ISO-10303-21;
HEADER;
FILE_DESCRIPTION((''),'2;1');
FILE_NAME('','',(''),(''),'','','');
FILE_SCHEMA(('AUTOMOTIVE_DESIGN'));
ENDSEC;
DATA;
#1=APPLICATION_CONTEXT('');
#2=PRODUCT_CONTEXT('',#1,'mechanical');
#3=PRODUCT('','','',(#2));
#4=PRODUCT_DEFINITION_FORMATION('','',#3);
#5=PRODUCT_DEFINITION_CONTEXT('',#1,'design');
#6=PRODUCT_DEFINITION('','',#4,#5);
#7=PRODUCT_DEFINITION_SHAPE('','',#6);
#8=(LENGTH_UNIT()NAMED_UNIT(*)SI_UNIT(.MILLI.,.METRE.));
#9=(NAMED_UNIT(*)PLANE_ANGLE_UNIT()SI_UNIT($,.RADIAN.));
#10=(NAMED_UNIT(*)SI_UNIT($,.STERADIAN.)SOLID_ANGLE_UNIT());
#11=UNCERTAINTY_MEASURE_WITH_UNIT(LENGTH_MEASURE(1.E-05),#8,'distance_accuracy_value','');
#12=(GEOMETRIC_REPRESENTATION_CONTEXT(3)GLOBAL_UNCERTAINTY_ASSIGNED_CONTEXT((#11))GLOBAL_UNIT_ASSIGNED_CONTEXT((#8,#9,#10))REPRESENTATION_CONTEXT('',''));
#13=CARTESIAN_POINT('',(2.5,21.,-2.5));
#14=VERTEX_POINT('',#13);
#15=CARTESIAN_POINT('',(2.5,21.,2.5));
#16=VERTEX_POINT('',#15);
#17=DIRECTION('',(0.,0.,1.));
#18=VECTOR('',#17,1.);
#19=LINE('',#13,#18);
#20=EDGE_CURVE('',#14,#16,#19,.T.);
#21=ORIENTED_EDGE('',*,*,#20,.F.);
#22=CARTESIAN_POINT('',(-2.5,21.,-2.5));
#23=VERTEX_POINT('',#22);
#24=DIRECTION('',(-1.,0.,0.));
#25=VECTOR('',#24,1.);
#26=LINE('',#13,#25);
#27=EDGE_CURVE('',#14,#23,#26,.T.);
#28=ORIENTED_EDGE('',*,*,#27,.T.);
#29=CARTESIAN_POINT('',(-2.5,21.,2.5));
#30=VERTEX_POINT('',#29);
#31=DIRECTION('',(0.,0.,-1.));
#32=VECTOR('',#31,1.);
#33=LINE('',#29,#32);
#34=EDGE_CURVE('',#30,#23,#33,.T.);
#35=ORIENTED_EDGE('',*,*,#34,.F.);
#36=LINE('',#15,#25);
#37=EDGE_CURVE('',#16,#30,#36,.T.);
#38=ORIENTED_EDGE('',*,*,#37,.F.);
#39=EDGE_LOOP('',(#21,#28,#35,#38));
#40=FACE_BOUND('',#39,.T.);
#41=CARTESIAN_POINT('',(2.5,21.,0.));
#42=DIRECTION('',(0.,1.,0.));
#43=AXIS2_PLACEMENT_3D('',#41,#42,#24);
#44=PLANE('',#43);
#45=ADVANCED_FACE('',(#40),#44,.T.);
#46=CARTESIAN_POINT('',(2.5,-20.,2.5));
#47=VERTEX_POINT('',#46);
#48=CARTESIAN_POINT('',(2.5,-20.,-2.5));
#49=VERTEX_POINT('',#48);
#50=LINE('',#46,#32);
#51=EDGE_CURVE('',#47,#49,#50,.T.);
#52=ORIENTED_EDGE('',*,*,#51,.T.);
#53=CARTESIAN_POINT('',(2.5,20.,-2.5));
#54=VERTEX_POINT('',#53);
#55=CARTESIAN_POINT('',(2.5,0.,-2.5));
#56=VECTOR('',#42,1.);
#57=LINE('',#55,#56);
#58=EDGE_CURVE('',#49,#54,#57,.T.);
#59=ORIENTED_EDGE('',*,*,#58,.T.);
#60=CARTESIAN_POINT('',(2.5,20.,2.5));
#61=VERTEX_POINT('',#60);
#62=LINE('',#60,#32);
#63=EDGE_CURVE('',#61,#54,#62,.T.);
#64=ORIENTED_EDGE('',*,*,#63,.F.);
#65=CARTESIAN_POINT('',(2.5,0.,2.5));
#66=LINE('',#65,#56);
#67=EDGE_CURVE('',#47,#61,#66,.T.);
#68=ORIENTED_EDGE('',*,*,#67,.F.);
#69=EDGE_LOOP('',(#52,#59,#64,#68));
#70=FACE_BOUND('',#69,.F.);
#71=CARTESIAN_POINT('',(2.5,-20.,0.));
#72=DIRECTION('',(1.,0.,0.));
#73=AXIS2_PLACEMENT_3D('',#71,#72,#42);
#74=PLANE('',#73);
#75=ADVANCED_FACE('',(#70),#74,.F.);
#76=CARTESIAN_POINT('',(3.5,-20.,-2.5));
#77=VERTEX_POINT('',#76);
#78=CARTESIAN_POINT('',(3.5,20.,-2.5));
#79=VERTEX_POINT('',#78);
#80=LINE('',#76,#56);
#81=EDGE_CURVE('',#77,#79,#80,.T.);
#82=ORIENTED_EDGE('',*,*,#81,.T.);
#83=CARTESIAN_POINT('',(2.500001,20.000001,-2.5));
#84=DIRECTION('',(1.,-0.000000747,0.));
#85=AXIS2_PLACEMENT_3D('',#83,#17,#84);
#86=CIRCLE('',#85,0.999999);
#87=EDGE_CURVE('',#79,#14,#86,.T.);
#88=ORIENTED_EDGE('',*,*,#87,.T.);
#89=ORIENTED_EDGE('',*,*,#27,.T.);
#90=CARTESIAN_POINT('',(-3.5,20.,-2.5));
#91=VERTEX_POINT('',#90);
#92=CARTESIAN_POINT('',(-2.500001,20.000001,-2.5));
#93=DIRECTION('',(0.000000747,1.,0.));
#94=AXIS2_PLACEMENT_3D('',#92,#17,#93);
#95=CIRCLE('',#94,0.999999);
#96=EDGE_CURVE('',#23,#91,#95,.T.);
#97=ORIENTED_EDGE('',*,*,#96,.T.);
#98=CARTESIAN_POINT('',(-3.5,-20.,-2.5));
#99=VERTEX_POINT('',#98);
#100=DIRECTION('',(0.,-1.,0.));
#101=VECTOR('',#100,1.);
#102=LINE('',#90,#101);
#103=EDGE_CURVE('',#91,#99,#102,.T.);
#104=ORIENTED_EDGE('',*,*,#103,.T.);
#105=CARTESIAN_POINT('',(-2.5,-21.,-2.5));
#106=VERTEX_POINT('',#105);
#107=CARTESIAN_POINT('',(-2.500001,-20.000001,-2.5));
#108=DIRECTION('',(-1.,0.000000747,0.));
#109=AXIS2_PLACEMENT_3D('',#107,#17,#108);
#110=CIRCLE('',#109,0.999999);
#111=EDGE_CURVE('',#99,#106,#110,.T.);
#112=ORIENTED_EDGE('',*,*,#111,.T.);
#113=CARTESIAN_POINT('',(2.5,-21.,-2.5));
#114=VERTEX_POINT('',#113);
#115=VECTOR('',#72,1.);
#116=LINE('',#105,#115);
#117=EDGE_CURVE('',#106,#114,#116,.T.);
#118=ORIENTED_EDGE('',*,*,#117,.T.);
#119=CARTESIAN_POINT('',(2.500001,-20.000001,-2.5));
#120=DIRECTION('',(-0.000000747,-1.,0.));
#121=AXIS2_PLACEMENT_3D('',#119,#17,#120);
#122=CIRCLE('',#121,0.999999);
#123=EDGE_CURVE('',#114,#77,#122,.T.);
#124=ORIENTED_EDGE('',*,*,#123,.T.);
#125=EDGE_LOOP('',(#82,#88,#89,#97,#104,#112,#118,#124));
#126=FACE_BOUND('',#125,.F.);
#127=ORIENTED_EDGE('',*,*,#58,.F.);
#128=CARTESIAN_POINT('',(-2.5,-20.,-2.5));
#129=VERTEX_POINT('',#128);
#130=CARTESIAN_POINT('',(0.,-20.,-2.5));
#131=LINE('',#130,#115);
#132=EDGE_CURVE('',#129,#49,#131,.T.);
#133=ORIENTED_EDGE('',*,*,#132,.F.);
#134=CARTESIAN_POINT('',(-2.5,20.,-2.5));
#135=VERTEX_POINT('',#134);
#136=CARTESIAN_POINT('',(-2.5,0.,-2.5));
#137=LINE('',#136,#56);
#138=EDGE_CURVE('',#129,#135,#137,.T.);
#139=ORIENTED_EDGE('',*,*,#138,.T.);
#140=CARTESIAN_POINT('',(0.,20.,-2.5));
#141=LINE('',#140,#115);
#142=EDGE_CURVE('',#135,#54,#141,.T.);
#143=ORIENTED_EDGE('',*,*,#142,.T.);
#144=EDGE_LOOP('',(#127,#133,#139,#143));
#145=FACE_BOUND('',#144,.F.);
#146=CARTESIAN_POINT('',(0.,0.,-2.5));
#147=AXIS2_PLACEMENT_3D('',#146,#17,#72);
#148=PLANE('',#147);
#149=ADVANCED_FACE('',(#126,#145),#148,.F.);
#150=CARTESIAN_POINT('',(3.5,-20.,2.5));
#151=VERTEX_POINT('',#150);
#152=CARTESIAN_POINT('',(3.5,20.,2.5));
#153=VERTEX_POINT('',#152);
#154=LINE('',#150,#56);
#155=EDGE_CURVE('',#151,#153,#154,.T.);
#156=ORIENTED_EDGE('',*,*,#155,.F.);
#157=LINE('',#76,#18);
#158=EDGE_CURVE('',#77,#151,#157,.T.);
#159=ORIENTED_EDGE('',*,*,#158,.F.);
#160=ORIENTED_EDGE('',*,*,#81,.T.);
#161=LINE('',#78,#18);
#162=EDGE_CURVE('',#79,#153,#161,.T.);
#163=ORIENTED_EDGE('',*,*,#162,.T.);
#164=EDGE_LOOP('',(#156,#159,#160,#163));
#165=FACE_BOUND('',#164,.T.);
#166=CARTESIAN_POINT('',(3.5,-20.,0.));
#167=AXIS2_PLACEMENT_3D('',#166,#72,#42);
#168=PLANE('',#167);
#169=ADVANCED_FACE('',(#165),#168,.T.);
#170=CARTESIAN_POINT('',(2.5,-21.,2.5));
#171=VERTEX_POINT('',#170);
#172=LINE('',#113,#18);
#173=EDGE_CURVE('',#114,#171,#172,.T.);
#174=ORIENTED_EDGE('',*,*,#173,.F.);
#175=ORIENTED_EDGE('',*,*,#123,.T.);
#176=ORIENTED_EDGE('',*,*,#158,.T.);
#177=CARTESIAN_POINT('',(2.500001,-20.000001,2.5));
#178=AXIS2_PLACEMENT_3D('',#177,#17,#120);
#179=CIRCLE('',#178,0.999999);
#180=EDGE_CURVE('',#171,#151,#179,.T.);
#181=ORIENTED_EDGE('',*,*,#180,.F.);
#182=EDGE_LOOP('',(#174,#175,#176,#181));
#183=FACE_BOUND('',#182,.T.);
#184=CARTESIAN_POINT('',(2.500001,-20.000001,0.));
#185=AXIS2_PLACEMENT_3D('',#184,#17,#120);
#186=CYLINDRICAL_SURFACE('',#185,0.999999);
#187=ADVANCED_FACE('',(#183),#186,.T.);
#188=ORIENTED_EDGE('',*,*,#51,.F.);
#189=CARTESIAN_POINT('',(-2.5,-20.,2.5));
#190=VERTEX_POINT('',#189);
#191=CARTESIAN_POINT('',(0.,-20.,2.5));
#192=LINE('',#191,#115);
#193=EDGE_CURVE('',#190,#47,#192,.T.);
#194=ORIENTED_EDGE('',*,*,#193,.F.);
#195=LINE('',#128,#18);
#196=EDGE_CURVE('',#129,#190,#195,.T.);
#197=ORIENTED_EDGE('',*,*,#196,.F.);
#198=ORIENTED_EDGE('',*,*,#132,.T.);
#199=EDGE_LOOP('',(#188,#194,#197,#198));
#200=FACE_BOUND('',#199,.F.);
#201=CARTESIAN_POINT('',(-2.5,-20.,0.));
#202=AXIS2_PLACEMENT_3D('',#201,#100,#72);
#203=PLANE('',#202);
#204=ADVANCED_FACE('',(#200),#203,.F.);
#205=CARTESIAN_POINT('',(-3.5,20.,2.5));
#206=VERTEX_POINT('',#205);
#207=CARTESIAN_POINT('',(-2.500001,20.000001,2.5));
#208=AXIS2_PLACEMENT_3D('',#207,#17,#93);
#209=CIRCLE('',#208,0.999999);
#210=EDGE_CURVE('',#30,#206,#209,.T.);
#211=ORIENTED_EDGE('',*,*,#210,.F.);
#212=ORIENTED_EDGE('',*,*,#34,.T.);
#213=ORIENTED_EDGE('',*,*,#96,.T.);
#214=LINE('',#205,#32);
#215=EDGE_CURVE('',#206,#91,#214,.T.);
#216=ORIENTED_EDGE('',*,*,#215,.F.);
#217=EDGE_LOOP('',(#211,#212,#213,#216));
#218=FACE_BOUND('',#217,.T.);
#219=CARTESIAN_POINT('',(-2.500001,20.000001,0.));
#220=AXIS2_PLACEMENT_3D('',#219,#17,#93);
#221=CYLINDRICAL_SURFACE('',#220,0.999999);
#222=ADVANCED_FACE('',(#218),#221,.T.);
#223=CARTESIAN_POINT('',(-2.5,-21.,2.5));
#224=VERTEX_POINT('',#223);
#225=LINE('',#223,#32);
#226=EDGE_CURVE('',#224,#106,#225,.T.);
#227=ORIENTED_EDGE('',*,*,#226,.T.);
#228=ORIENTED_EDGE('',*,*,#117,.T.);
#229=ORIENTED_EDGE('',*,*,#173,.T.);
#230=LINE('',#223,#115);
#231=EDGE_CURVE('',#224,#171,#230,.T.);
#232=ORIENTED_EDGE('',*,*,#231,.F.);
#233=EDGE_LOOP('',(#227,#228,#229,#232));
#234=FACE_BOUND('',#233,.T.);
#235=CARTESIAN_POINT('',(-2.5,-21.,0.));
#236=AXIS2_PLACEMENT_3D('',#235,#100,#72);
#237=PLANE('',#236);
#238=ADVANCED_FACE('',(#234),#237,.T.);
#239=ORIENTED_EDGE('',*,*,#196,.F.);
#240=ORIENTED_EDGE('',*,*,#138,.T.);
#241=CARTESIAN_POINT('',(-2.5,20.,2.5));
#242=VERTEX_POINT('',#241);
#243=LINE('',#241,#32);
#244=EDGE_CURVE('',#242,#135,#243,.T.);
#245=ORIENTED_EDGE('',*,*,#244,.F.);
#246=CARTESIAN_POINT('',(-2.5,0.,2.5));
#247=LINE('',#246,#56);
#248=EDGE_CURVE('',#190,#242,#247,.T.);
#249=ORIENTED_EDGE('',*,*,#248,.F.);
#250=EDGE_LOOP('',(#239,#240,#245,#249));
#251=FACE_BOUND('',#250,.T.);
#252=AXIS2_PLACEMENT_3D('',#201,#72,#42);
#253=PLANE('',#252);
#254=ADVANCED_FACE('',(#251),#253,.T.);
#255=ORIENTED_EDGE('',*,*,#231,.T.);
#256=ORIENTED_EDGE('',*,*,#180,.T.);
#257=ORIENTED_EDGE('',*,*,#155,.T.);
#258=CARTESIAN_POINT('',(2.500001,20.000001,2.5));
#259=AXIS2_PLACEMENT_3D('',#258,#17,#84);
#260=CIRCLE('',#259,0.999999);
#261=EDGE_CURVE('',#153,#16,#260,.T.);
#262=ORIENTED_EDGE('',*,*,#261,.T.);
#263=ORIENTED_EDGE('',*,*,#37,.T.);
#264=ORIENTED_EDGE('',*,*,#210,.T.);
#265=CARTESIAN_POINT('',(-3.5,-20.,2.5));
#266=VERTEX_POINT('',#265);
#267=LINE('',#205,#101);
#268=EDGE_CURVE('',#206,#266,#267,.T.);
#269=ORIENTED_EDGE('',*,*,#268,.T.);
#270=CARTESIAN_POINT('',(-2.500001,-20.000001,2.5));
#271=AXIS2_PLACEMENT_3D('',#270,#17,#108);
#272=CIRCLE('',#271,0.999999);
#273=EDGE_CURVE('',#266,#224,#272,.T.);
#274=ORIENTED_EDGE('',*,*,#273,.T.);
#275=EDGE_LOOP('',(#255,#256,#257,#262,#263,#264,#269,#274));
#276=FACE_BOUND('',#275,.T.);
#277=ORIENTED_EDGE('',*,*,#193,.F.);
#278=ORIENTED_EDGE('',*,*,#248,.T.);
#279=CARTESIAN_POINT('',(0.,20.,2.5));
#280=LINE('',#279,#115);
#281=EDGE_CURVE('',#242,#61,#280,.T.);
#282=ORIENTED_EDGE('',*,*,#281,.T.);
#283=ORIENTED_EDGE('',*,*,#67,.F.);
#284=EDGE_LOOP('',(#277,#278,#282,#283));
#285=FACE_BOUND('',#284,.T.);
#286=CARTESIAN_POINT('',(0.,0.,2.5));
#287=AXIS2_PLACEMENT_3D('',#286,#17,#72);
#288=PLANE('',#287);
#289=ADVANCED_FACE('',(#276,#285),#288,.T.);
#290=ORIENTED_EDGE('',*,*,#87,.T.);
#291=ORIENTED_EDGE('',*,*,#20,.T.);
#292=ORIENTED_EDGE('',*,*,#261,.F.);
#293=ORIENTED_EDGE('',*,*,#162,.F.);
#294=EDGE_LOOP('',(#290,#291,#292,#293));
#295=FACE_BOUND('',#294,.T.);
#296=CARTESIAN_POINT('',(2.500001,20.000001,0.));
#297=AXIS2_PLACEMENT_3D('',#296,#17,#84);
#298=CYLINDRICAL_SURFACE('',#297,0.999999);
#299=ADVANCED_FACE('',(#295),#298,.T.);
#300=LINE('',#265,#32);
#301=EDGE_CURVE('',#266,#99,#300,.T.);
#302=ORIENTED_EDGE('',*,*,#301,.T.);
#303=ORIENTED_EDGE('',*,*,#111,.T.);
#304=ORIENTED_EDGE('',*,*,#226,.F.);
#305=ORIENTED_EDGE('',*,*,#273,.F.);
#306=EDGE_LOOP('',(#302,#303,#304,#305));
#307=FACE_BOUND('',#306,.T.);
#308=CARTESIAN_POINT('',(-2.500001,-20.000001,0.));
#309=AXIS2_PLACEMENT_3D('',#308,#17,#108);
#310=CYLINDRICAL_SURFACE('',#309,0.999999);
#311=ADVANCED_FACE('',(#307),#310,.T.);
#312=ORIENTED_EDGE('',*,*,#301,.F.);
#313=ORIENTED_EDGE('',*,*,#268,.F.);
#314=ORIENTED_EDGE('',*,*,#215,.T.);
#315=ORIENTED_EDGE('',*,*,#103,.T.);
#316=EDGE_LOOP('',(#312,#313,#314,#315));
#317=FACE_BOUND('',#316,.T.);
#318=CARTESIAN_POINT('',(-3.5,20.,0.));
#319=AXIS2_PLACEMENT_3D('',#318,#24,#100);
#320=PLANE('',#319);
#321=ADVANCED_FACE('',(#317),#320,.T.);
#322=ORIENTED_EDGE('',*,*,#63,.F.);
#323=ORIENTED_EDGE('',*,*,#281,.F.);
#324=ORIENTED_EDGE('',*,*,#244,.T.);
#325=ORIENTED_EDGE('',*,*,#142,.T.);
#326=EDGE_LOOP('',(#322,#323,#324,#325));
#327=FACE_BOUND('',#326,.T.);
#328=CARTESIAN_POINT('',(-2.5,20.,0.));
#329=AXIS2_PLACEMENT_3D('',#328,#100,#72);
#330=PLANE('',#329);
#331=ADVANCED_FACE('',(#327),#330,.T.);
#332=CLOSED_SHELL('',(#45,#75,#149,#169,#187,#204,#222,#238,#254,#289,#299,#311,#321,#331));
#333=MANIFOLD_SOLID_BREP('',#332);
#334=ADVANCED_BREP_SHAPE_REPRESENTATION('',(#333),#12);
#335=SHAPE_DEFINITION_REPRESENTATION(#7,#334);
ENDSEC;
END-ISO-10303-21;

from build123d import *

# Parameters (mm, degrees)
F0_W     = 5
F0_H     = 40
F1_DEPTH = 2.5


with BuildPart() as f1:
    # F0 (on Top) → F1 (new body, symmetric)
    with BuildSketch(Plane.XY):
        with BuildLine():
            Line((-2.5, -21), (2.5, -21))
            ThreePointArc((2.5, -21), (3.207107, -20.707107), (3.5, -20))
            Line((3.5, -20), (3.5, 20))
            ThreePointArc((3.5, 20), (3.207107, 20.707107), (2.5, 21))
            Line((2.5, 21), (-2.5, 21))
            ThreePointArc((-2.5, 21), (-3.207107, 20.707107), (-3.5, 20))
            Line((-3.5, 20), (-3.5, -20))
            ThreePointArc((-3.5, -20), (-3.207107, -20.707107), (-2.5, -21))
        make_face()
        Rectangle(F0_W, F0_H, mode=Mode.SUBTRACT)
    extrude(amount=F1_DEPTH, both=True)


solid = f1.part
